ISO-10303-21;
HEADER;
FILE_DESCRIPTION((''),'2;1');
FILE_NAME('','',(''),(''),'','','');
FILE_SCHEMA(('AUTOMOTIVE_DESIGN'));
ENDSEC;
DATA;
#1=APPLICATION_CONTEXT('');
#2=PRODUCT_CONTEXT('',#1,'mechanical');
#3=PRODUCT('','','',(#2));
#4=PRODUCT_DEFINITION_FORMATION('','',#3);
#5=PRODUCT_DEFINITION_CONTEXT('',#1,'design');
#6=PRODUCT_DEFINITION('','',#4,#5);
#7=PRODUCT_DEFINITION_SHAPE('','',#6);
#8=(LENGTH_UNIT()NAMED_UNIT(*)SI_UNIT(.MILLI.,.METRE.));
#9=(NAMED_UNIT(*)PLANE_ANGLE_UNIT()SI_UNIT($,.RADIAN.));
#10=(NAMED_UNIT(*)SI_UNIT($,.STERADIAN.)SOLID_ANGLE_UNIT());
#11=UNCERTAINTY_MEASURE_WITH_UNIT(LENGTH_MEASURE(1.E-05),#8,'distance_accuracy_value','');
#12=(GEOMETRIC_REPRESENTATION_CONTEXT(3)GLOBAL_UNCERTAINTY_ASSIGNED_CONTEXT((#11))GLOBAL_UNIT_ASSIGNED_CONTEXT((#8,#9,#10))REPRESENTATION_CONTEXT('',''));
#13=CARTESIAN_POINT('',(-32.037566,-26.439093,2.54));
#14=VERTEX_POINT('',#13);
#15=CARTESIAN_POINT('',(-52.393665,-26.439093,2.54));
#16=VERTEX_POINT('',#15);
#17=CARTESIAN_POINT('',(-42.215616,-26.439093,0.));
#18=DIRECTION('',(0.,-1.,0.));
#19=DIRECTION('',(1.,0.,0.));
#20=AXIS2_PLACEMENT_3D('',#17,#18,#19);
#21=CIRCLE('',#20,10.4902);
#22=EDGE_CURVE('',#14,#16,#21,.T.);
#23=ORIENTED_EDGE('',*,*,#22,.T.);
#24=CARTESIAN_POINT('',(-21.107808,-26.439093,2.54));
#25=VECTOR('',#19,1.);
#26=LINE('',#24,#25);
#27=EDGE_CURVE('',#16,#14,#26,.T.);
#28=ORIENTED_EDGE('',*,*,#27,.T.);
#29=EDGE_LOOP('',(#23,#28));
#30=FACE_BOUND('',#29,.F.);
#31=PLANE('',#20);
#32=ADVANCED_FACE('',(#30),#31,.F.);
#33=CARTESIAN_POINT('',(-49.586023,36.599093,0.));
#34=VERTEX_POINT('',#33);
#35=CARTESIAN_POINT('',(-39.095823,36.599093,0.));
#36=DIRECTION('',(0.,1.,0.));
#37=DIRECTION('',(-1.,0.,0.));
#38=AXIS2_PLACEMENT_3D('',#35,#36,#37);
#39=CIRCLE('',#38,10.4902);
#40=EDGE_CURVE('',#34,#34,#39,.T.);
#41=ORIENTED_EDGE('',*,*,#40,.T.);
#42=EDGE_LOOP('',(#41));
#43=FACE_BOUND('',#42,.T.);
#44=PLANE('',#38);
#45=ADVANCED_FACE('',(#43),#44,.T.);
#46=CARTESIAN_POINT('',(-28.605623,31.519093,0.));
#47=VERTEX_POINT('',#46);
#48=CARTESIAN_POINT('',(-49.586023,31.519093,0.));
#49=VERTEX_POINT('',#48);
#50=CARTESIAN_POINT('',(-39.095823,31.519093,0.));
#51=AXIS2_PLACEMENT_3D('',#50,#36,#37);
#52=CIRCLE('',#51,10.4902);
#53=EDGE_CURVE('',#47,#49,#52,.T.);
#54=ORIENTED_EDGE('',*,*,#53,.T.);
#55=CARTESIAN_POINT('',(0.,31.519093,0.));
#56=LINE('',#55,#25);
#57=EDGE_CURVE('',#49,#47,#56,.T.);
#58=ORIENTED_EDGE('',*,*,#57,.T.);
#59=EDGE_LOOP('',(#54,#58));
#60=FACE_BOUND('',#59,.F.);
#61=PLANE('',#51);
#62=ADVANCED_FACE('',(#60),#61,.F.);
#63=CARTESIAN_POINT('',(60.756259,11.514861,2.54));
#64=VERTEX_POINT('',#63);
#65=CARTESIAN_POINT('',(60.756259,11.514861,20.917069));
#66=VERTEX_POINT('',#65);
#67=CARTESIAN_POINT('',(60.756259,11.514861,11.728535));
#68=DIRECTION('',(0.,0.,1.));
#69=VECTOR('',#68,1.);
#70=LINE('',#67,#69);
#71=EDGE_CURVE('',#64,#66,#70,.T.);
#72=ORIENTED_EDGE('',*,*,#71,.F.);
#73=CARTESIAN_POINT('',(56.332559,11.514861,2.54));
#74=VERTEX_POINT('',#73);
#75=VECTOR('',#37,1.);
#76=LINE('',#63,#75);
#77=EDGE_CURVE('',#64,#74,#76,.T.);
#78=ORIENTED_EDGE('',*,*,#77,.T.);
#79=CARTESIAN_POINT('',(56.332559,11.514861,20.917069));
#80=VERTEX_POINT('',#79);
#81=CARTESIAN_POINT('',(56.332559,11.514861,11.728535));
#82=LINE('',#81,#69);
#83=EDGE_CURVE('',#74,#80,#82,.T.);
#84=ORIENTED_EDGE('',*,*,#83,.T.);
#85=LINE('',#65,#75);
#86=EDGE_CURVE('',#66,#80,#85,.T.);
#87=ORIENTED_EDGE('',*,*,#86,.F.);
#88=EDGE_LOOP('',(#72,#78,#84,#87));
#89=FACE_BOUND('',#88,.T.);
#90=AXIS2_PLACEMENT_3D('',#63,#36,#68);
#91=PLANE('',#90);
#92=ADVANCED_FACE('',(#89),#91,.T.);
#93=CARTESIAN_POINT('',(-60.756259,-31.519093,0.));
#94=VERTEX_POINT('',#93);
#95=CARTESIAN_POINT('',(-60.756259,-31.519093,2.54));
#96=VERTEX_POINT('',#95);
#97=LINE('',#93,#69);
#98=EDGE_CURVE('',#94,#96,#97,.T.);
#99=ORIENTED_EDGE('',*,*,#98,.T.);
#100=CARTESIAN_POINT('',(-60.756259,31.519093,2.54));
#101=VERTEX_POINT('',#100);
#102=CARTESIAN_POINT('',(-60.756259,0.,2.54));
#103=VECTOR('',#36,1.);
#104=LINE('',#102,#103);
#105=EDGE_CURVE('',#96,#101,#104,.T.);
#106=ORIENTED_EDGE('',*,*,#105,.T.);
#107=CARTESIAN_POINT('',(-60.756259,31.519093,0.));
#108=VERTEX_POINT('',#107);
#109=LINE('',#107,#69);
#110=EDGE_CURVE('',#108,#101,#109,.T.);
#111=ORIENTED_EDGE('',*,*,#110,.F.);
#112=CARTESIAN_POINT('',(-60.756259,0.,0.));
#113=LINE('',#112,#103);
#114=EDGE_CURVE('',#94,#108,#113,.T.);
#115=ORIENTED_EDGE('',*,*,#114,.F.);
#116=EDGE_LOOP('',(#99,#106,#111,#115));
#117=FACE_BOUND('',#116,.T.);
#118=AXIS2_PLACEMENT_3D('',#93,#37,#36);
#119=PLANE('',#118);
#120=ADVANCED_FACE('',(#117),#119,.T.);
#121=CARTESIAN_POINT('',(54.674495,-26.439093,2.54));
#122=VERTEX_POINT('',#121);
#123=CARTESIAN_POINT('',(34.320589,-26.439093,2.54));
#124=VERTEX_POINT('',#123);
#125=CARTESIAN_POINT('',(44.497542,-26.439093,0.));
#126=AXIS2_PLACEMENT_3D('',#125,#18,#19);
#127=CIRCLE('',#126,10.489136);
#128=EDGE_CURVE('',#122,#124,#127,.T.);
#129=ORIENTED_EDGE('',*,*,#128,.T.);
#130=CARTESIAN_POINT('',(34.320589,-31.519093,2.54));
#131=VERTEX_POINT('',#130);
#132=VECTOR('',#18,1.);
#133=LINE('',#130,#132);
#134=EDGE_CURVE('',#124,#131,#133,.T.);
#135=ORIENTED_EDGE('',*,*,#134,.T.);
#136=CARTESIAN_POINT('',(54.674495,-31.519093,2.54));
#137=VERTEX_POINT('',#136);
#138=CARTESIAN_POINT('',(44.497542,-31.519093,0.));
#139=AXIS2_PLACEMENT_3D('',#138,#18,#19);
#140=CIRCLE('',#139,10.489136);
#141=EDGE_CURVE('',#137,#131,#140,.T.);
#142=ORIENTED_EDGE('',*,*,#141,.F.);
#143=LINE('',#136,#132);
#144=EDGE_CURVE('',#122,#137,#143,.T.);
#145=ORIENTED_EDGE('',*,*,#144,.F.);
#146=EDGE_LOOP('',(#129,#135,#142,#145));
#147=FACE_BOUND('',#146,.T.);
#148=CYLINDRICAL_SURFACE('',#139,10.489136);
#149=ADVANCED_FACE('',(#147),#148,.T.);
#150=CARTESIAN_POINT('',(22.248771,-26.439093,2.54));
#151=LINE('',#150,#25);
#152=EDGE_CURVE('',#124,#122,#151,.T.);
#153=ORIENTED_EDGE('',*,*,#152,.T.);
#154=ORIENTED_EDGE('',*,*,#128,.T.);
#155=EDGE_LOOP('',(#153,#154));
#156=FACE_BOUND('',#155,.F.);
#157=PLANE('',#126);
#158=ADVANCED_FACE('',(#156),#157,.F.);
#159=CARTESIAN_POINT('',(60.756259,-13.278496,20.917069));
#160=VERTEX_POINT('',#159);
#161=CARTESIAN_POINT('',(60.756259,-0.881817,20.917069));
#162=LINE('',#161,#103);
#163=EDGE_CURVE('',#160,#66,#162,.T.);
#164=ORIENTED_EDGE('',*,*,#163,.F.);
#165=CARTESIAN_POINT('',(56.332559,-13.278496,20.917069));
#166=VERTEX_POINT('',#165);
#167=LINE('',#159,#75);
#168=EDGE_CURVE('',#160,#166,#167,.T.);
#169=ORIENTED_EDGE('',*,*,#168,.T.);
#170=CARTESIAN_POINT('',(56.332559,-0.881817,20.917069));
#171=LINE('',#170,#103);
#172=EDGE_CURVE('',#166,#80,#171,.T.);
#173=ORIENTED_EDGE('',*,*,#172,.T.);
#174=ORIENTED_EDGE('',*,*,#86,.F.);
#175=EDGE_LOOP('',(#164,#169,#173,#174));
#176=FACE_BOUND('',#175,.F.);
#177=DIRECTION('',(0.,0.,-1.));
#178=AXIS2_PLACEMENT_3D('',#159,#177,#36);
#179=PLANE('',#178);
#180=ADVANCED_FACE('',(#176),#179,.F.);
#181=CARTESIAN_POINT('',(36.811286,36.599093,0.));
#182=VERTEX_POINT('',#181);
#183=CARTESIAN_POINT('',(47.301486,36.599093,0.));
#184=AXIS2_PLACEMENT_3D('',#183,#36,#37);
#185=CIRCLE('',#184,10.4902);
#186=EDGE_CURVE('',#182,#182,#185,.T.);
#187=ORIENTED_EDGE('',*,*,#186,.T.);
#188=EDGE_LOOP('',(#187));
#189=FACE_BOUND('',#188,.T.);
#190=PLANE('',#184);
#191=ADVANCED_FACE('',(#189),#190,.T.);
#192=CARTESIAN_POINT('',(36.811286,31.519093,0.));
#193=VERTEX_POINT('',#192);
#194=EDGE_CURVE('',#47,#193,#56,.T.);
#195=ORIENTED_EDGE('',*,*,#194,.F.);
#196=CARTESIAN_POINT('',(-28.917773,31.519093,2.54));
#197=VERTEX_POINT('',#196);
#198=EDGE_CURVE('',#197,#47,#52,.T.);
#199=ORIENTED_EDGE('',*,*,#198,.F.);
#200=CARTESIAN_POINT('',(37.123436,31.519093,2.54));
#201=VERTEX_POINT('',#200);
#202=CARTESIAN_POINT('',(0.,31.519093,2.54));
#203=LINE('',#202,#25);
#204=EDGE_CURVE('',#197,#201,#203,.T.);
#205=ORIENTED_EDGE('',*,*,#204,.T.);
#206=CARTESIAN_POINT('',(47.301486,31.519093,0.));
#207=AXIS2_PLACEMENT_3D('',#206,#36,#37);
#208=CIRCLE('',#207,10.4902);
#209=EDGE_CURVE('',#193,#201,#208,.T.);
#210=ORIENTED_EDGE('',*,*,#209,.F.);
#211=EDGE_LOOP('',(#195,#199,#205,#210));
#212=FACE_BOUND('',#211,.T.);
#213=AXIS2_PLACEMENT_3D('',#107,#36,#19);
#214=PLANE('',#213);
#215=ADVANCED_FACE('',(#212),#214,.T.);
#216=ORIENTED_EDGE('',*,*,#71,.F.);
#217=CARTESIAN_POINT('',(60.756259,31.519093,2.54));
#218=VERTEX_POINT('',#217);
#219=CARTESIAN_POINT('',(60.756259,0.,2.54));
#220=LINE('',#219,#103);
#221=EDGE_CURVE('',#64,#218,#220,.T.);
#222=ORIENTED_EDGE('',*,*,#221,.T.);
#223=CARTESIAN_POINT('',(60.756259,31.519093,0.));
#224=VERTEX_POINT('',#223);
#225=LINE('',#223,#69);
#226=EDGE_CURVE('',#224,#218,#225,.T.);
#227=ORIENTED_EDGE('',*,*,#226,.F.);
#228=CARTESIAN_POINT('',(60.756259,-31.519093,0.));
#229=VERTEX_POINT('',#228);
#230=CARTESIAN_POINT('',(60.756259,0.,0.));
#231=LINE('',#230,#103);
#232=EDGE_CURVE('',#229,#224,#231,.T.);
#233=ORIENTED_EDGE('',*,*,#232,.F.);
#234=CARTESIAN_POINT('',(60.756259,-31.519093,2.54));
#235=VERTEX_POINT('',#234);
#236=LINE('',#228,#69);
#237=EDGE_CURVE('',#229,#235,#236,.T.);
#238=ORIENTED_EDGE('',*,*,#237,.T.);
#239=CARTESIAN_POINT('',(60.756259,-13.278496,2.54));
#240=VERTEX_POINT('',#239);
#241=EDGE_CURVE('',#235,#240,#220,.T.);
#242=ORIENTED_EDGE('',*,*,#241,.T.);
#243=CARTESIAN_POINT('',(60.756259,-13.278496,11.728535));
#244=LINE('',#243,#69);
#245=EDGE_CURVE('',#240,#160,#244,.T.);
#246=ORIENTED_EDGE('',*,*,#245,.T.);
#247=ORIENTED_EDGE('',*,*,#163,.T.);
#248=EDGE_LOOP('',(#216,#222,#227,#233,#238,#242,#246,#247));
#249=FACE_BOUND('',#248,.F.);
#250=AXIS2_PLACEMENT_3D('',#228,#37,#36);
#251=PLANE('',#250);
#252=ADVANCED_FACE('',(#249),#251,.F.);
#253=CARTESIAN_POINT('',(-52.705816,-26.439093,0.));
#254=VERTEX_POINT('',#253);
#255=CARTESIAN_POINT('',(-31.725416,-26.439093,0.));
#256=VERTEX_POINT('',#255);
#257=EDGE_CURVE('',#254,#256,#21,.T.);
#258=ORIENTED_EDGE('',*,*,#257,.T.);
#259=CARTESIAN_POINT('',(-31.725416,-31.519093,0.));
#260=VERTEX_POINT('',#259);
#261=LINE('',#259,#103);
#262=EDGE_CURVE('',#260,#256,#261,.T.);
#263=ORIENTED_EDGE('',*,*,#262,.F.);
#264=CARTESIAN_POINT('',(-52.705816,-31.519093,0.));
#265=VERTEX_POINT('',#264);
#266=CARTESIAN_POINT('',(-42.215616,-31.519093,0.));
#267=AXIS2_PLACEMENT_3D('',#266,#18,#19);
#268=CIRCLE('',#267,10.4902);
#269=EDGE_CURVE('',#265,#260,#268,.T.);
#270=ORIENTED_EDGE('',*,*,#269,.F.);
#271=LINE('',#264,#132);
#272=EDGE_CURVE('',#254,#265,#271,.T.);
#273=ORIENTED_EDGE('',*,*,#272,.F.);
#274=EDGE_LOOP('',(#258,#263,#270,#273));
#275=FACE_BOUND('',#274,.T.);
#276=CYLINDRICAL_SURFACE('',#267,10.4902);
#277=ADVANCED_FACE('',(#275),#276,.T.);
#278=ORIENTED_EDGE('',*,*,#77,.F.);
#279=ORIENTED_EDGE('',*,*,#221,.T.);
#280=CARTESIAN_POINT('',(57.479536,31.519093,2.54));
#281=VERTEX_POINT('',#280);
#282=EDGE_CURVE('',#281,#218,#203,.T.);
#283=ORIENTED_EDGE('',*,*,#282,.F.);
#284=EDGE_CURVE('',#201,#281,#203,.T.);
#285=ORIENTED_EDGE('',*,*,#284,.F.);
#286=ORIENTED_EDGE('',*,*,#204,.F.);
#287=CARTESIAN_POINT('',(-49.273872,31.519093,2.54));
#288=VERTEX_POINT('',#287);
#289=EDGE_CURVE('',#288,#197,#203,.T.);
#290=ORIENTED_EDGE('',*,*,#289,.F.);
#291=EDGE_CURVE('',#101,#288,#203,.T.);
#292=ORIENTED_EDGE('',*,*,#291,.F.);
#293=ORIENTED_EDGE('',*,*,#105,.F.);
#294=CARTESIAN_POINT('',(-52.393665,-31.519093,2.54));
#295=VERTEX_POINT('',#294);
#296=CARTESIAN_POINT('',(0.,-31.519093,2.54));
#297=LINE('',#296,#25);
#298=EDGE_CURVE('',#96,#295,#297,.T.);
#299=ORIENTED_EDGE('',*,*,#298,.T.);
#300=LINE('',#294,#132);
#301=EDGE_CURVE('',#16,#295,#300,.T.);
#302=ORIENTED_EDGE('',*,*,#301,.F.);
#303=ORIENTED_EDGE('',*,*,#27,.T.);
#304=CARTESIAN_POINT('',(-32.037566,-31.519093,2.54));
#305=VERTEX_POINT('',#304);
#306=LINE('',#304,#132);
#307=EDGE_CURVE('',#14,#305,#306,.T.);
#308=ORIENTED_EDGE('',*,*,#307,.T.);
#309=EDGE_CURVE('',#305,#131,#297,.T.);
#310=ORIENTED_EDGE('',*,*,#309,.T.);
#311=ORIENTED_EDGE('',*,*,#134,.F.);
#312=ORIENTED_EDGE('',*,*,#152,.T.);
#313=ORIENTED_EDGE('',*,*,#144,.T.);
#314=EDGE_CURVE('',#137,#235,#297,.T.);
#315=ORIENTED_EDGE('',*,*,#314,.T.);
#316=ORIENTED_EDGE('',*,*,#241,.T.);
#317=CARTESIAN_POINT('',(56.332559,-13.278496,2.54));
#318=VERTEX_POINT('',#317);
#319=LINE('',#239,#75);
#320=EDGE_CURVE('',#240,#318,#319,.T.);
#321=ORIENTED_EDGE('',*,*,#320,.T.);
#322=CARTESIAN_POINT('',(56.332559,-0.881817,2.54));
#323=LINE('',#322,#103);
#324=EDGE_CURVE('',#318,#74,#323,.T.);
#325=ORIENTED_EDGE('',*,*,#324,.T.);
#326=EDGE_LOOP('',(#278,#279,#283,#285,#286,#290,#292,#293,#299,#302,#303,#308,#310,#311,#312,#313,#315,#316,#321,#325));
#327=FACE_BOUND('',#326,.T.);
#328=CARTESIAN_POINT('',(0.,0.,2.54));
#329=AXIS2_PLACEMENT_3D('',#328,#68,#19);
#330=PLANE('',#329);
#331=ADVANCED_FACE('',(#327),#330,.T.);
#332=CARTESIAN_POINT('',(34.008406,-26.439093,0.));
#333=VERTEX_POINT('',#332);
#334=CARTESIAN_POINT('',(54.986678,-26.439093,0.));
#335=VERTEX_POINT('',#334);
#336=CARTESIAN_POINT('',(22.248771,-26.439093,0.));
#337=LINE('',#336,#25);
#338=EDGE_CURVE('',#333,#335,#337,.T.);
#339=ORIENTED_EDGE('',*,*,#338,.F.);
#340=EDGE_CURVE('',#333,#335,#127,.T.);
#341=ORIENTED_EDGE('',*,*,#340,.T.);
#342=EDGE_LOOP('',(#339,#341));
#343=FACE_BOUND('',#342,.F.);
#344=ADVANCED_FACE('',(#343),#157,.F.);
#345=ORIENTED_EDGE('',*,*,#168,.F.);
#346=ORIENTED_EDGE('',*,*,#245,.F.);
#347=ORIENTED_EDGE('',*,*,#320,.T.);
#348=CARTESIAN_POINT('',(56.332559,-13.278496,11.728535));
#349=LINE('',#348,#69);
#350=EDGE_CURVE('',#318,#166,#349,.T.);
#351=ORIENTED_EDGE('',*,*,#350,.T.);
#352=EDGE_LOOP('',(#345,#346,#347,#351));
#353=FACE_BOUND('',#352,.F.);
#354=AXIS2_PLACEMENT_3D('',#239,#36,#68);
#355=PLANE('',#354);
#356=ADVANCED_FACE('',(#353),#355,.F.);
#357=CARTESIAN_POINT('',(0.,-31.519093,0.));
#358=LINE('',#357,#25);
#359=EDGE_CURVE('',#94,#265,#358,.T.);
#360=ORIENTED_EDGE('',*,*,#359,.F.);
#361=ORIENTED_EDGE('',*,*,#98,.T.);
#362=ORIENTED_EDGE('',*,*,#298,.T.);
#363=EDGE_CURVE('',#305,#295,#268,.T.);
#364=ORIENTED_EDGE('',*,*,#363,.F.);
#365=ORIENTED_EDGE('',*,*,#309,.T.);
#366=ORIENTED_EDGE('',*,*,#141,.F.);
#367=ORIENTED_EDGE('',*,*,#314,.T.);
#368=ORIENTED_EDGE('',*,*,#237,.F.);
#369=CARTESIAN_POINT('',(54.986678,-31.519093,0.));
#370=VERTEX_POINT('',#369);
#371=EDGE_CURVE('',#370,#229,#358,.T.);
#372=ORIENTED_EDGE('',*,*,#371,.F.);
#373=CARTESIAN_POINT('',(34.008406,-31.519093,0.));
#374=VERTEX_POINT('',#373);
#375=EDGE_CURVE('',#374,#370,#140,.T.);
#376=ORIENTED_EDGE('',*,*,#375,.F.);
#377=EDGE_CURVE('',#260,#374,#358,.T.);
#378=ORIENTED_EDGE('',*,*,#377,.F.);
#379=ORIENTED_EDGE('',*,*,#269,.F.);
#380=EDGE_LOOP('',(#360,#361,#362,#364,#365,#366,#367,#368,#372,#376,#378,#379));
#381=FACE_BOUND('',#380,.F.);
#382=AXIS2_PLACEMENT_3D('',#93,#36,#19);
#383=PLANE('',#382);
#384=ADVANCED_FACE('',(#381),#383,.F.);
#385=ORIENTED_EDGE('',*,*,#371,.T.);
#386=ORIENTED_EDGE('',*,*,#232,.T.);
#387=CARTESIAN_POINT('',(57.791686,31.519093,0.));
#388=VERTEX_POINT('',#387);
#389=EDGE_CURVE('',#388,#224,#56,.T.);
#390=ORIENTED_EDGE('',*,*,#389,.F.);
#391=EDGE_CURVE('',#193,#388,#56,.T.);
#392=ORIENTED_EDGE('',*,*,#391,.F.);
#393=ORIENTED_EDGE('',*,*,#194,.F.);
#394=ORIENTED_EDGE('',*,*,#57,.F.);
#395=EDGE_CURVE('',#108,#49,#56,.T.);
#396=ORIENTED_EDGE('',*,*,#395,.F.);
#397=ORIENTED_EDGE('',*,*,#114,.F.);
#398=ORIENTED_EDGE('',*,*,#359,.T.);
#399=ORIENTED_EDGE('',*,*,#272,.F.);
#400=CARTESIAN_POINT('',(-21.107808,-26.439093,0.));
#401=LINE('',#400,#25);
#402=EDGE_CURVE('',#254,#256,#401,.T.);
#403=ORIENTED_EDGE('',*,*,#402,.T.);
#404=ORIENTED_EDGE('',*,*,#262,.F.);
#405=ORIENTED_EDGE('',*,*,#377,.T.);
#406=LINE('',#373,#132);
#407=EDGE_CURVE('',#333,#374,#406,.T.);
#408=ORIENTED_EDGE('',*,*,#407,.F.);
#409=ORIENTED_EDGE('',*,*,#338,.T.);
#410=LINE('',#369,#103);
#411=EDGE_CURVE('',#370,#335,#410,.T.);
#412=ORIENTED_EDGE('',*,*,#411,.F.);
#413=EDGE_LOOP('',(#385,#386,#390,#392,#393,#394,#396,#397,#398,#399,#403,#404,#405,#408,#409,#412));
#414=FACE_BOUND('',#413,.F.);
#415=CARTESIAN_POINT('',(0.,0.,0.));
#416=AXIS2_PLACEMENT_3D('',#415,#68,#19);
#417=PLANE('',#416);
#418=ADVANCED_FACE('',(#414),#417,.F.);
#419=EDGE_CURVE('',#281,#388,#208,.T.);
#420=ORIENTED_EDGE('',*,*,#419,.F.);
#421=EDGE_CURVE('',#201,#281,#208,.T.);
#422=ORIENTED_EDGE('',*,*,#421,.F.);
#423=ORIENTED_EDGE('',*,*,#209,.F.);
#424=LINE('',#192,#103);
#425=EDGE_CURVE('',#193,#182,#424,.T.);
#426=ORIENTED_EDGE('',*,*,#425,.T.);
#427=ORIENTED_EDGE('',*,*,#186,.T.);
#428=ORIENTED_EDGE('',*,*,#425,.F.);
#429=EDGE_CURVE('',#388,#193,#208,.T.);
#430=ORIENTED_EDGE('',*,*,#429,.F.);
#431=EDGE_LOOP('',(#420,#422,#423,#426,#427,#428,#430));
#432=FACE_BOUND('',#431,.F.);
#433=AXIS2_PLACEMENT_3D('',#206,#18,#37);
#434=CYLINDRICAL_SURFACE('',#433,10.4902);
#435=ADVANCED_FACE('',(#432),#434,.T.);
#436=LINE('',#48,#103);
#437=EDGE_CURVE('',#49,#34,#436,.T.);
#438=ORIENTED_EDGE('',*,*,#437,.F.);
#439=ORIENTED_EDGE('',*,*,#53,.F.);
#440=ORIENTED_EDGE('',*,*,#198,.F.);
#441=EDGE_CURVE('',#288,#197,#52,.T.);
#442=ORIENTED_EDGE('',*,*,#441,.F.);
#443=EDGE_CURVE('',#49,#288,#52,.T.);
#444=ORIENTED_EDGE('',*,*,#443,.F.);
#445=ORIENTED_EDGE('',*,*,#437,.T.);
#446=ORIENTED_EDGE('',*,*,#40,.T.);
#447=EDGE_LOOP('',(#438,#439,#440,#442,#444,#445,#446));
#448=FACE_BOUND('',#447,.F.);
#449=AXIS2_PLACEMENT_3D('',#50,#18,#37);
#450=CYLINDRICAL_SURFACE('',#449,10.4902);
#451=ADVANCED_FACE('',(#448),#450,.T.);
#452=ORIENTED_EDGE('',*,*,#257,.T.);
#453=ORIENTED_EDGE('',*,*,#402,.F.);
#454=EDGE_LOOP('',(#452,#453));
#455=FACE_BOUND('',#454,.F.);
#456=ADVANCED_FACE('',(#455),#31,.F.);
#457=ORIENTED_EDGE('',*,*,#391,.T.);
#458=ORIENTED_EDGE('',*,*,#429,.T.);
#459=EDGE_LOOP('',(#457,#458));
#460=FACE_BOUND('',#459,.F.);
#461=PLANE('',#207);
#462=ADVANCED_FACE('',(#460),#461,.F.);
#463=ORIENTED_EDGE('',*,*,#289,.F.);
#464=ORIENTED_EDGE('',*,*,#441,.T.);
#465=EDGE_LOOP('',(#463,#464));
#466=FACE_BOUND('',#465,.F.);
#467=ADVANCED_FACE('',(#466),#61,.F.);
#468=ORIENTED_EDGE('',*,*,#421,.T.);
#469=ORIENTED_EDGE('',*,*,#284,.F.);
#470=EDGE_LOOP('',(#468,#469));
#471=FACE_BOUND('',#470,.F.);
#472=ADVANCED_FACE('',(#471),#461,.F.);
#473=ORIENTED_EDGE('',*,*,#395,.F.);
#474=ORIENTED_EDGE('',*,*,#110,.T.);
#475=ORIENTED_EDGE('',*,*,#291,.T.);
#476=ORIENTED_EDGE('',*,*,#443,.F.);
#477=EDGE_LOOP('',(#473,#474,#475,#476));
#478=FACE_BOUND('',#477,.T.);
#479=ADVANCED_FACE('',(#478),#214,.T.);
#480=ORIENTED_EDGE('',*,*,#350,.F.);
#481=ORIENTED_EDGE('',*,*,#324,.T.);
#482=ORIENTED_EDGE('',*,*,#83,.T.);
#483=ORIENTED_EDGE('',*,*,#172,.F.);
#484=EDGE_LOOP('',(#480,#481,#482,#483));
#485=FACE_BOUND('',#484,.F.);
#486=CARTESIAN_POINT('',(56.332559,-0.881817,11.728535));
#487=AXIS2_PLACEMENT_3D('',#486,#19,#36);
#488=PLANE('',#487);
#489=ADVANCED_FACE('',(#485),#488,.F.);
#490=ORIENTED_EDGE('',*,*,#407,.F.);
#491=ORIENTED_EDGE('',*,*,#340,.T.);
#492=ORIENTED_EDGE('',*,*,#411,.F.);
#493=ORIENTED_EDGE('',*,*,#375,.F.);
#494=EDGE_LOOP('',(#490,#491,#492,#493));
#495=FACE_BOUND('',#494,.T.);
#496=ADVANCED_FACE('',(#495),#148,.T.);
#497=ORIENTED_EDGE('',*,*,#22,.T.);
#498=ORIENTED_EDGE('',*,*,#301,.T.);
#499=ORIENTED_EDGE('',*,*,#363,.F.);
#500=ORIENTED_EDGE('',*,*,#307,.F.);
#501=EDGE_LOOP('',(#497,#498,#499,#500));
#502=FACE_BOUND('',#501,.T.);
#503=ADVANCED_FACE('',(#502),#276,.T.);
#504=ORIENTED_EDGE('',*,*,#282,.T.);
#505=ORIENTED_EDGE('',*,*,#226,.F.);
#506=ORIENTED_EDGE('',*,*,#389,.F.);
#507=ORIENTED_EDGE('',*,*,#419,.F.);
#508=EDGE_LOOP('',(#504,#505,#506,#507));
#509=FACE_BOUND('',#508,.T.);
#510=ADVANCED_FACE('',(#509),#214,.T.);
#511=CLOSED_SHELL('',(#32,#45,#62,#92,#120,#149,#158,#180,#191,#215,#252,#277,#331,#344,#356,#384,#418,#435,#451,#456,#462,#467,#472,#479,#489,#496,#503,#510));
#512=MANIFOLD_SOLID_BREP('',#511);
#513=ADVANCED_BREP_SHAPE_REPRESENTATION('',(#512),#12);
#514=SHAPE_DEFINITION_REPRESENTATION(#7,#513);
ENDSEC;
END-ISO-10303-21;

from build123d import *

# Parameters (mm, degrees)
F0_W     = 121.512517333
F0_H     = 63.0381852388
F1_DEPTH = 2.54
F3_R     = 10.4902
F2_R     = 10.4902
F2_R_2   = 10.4891359602
F4_DEPTH = 5.08
F5_W     = 24.793356657
F5_H     = 18.3770691669
F6_DEPTH = 4.4237


with BuildPart() as f1:
    # F0 (on Top) → F1 (new body)
    with BuildSketch(Plane.XY):
        Rectangle(F0_W, F0_H)
    extrude(amount=F1_DEPTH)

    # F3 (on face) + F2 (on face) → F4 (join)
    with BuildSketch(Plane(origin=(0, 31.5190926194, 0), x_dir=(-1, 0, 0), z_dir=(0, 1, 0))):
        with Locations((-47.3014861345, 0)):
            Circle(F3_R)
        with Locations((39.0958227217, 0)):
            Circle(F3_R)
    with BuildSketch(Plane.XZ.offset(31.5190926194)):
        with Locations((-42.2156155109, 0)):
            Circle(F2_R)
        with Locations((44.4975420833, 0)):
            Circle(F2_R_2)
    extrude(amount=F4_DEPTH, dir=(0, 1, 0))

    # F5 (on face) → F6 (join)
    with BuildSketch(Plane.YZ.offset(60.7562586665)):
        with Locations((-0.8818171918, 11.7285345834)):
            Rectangle(F5_W, F5_H)
    extrude(amount=-F6_DEPTH)


solid = f1.part
